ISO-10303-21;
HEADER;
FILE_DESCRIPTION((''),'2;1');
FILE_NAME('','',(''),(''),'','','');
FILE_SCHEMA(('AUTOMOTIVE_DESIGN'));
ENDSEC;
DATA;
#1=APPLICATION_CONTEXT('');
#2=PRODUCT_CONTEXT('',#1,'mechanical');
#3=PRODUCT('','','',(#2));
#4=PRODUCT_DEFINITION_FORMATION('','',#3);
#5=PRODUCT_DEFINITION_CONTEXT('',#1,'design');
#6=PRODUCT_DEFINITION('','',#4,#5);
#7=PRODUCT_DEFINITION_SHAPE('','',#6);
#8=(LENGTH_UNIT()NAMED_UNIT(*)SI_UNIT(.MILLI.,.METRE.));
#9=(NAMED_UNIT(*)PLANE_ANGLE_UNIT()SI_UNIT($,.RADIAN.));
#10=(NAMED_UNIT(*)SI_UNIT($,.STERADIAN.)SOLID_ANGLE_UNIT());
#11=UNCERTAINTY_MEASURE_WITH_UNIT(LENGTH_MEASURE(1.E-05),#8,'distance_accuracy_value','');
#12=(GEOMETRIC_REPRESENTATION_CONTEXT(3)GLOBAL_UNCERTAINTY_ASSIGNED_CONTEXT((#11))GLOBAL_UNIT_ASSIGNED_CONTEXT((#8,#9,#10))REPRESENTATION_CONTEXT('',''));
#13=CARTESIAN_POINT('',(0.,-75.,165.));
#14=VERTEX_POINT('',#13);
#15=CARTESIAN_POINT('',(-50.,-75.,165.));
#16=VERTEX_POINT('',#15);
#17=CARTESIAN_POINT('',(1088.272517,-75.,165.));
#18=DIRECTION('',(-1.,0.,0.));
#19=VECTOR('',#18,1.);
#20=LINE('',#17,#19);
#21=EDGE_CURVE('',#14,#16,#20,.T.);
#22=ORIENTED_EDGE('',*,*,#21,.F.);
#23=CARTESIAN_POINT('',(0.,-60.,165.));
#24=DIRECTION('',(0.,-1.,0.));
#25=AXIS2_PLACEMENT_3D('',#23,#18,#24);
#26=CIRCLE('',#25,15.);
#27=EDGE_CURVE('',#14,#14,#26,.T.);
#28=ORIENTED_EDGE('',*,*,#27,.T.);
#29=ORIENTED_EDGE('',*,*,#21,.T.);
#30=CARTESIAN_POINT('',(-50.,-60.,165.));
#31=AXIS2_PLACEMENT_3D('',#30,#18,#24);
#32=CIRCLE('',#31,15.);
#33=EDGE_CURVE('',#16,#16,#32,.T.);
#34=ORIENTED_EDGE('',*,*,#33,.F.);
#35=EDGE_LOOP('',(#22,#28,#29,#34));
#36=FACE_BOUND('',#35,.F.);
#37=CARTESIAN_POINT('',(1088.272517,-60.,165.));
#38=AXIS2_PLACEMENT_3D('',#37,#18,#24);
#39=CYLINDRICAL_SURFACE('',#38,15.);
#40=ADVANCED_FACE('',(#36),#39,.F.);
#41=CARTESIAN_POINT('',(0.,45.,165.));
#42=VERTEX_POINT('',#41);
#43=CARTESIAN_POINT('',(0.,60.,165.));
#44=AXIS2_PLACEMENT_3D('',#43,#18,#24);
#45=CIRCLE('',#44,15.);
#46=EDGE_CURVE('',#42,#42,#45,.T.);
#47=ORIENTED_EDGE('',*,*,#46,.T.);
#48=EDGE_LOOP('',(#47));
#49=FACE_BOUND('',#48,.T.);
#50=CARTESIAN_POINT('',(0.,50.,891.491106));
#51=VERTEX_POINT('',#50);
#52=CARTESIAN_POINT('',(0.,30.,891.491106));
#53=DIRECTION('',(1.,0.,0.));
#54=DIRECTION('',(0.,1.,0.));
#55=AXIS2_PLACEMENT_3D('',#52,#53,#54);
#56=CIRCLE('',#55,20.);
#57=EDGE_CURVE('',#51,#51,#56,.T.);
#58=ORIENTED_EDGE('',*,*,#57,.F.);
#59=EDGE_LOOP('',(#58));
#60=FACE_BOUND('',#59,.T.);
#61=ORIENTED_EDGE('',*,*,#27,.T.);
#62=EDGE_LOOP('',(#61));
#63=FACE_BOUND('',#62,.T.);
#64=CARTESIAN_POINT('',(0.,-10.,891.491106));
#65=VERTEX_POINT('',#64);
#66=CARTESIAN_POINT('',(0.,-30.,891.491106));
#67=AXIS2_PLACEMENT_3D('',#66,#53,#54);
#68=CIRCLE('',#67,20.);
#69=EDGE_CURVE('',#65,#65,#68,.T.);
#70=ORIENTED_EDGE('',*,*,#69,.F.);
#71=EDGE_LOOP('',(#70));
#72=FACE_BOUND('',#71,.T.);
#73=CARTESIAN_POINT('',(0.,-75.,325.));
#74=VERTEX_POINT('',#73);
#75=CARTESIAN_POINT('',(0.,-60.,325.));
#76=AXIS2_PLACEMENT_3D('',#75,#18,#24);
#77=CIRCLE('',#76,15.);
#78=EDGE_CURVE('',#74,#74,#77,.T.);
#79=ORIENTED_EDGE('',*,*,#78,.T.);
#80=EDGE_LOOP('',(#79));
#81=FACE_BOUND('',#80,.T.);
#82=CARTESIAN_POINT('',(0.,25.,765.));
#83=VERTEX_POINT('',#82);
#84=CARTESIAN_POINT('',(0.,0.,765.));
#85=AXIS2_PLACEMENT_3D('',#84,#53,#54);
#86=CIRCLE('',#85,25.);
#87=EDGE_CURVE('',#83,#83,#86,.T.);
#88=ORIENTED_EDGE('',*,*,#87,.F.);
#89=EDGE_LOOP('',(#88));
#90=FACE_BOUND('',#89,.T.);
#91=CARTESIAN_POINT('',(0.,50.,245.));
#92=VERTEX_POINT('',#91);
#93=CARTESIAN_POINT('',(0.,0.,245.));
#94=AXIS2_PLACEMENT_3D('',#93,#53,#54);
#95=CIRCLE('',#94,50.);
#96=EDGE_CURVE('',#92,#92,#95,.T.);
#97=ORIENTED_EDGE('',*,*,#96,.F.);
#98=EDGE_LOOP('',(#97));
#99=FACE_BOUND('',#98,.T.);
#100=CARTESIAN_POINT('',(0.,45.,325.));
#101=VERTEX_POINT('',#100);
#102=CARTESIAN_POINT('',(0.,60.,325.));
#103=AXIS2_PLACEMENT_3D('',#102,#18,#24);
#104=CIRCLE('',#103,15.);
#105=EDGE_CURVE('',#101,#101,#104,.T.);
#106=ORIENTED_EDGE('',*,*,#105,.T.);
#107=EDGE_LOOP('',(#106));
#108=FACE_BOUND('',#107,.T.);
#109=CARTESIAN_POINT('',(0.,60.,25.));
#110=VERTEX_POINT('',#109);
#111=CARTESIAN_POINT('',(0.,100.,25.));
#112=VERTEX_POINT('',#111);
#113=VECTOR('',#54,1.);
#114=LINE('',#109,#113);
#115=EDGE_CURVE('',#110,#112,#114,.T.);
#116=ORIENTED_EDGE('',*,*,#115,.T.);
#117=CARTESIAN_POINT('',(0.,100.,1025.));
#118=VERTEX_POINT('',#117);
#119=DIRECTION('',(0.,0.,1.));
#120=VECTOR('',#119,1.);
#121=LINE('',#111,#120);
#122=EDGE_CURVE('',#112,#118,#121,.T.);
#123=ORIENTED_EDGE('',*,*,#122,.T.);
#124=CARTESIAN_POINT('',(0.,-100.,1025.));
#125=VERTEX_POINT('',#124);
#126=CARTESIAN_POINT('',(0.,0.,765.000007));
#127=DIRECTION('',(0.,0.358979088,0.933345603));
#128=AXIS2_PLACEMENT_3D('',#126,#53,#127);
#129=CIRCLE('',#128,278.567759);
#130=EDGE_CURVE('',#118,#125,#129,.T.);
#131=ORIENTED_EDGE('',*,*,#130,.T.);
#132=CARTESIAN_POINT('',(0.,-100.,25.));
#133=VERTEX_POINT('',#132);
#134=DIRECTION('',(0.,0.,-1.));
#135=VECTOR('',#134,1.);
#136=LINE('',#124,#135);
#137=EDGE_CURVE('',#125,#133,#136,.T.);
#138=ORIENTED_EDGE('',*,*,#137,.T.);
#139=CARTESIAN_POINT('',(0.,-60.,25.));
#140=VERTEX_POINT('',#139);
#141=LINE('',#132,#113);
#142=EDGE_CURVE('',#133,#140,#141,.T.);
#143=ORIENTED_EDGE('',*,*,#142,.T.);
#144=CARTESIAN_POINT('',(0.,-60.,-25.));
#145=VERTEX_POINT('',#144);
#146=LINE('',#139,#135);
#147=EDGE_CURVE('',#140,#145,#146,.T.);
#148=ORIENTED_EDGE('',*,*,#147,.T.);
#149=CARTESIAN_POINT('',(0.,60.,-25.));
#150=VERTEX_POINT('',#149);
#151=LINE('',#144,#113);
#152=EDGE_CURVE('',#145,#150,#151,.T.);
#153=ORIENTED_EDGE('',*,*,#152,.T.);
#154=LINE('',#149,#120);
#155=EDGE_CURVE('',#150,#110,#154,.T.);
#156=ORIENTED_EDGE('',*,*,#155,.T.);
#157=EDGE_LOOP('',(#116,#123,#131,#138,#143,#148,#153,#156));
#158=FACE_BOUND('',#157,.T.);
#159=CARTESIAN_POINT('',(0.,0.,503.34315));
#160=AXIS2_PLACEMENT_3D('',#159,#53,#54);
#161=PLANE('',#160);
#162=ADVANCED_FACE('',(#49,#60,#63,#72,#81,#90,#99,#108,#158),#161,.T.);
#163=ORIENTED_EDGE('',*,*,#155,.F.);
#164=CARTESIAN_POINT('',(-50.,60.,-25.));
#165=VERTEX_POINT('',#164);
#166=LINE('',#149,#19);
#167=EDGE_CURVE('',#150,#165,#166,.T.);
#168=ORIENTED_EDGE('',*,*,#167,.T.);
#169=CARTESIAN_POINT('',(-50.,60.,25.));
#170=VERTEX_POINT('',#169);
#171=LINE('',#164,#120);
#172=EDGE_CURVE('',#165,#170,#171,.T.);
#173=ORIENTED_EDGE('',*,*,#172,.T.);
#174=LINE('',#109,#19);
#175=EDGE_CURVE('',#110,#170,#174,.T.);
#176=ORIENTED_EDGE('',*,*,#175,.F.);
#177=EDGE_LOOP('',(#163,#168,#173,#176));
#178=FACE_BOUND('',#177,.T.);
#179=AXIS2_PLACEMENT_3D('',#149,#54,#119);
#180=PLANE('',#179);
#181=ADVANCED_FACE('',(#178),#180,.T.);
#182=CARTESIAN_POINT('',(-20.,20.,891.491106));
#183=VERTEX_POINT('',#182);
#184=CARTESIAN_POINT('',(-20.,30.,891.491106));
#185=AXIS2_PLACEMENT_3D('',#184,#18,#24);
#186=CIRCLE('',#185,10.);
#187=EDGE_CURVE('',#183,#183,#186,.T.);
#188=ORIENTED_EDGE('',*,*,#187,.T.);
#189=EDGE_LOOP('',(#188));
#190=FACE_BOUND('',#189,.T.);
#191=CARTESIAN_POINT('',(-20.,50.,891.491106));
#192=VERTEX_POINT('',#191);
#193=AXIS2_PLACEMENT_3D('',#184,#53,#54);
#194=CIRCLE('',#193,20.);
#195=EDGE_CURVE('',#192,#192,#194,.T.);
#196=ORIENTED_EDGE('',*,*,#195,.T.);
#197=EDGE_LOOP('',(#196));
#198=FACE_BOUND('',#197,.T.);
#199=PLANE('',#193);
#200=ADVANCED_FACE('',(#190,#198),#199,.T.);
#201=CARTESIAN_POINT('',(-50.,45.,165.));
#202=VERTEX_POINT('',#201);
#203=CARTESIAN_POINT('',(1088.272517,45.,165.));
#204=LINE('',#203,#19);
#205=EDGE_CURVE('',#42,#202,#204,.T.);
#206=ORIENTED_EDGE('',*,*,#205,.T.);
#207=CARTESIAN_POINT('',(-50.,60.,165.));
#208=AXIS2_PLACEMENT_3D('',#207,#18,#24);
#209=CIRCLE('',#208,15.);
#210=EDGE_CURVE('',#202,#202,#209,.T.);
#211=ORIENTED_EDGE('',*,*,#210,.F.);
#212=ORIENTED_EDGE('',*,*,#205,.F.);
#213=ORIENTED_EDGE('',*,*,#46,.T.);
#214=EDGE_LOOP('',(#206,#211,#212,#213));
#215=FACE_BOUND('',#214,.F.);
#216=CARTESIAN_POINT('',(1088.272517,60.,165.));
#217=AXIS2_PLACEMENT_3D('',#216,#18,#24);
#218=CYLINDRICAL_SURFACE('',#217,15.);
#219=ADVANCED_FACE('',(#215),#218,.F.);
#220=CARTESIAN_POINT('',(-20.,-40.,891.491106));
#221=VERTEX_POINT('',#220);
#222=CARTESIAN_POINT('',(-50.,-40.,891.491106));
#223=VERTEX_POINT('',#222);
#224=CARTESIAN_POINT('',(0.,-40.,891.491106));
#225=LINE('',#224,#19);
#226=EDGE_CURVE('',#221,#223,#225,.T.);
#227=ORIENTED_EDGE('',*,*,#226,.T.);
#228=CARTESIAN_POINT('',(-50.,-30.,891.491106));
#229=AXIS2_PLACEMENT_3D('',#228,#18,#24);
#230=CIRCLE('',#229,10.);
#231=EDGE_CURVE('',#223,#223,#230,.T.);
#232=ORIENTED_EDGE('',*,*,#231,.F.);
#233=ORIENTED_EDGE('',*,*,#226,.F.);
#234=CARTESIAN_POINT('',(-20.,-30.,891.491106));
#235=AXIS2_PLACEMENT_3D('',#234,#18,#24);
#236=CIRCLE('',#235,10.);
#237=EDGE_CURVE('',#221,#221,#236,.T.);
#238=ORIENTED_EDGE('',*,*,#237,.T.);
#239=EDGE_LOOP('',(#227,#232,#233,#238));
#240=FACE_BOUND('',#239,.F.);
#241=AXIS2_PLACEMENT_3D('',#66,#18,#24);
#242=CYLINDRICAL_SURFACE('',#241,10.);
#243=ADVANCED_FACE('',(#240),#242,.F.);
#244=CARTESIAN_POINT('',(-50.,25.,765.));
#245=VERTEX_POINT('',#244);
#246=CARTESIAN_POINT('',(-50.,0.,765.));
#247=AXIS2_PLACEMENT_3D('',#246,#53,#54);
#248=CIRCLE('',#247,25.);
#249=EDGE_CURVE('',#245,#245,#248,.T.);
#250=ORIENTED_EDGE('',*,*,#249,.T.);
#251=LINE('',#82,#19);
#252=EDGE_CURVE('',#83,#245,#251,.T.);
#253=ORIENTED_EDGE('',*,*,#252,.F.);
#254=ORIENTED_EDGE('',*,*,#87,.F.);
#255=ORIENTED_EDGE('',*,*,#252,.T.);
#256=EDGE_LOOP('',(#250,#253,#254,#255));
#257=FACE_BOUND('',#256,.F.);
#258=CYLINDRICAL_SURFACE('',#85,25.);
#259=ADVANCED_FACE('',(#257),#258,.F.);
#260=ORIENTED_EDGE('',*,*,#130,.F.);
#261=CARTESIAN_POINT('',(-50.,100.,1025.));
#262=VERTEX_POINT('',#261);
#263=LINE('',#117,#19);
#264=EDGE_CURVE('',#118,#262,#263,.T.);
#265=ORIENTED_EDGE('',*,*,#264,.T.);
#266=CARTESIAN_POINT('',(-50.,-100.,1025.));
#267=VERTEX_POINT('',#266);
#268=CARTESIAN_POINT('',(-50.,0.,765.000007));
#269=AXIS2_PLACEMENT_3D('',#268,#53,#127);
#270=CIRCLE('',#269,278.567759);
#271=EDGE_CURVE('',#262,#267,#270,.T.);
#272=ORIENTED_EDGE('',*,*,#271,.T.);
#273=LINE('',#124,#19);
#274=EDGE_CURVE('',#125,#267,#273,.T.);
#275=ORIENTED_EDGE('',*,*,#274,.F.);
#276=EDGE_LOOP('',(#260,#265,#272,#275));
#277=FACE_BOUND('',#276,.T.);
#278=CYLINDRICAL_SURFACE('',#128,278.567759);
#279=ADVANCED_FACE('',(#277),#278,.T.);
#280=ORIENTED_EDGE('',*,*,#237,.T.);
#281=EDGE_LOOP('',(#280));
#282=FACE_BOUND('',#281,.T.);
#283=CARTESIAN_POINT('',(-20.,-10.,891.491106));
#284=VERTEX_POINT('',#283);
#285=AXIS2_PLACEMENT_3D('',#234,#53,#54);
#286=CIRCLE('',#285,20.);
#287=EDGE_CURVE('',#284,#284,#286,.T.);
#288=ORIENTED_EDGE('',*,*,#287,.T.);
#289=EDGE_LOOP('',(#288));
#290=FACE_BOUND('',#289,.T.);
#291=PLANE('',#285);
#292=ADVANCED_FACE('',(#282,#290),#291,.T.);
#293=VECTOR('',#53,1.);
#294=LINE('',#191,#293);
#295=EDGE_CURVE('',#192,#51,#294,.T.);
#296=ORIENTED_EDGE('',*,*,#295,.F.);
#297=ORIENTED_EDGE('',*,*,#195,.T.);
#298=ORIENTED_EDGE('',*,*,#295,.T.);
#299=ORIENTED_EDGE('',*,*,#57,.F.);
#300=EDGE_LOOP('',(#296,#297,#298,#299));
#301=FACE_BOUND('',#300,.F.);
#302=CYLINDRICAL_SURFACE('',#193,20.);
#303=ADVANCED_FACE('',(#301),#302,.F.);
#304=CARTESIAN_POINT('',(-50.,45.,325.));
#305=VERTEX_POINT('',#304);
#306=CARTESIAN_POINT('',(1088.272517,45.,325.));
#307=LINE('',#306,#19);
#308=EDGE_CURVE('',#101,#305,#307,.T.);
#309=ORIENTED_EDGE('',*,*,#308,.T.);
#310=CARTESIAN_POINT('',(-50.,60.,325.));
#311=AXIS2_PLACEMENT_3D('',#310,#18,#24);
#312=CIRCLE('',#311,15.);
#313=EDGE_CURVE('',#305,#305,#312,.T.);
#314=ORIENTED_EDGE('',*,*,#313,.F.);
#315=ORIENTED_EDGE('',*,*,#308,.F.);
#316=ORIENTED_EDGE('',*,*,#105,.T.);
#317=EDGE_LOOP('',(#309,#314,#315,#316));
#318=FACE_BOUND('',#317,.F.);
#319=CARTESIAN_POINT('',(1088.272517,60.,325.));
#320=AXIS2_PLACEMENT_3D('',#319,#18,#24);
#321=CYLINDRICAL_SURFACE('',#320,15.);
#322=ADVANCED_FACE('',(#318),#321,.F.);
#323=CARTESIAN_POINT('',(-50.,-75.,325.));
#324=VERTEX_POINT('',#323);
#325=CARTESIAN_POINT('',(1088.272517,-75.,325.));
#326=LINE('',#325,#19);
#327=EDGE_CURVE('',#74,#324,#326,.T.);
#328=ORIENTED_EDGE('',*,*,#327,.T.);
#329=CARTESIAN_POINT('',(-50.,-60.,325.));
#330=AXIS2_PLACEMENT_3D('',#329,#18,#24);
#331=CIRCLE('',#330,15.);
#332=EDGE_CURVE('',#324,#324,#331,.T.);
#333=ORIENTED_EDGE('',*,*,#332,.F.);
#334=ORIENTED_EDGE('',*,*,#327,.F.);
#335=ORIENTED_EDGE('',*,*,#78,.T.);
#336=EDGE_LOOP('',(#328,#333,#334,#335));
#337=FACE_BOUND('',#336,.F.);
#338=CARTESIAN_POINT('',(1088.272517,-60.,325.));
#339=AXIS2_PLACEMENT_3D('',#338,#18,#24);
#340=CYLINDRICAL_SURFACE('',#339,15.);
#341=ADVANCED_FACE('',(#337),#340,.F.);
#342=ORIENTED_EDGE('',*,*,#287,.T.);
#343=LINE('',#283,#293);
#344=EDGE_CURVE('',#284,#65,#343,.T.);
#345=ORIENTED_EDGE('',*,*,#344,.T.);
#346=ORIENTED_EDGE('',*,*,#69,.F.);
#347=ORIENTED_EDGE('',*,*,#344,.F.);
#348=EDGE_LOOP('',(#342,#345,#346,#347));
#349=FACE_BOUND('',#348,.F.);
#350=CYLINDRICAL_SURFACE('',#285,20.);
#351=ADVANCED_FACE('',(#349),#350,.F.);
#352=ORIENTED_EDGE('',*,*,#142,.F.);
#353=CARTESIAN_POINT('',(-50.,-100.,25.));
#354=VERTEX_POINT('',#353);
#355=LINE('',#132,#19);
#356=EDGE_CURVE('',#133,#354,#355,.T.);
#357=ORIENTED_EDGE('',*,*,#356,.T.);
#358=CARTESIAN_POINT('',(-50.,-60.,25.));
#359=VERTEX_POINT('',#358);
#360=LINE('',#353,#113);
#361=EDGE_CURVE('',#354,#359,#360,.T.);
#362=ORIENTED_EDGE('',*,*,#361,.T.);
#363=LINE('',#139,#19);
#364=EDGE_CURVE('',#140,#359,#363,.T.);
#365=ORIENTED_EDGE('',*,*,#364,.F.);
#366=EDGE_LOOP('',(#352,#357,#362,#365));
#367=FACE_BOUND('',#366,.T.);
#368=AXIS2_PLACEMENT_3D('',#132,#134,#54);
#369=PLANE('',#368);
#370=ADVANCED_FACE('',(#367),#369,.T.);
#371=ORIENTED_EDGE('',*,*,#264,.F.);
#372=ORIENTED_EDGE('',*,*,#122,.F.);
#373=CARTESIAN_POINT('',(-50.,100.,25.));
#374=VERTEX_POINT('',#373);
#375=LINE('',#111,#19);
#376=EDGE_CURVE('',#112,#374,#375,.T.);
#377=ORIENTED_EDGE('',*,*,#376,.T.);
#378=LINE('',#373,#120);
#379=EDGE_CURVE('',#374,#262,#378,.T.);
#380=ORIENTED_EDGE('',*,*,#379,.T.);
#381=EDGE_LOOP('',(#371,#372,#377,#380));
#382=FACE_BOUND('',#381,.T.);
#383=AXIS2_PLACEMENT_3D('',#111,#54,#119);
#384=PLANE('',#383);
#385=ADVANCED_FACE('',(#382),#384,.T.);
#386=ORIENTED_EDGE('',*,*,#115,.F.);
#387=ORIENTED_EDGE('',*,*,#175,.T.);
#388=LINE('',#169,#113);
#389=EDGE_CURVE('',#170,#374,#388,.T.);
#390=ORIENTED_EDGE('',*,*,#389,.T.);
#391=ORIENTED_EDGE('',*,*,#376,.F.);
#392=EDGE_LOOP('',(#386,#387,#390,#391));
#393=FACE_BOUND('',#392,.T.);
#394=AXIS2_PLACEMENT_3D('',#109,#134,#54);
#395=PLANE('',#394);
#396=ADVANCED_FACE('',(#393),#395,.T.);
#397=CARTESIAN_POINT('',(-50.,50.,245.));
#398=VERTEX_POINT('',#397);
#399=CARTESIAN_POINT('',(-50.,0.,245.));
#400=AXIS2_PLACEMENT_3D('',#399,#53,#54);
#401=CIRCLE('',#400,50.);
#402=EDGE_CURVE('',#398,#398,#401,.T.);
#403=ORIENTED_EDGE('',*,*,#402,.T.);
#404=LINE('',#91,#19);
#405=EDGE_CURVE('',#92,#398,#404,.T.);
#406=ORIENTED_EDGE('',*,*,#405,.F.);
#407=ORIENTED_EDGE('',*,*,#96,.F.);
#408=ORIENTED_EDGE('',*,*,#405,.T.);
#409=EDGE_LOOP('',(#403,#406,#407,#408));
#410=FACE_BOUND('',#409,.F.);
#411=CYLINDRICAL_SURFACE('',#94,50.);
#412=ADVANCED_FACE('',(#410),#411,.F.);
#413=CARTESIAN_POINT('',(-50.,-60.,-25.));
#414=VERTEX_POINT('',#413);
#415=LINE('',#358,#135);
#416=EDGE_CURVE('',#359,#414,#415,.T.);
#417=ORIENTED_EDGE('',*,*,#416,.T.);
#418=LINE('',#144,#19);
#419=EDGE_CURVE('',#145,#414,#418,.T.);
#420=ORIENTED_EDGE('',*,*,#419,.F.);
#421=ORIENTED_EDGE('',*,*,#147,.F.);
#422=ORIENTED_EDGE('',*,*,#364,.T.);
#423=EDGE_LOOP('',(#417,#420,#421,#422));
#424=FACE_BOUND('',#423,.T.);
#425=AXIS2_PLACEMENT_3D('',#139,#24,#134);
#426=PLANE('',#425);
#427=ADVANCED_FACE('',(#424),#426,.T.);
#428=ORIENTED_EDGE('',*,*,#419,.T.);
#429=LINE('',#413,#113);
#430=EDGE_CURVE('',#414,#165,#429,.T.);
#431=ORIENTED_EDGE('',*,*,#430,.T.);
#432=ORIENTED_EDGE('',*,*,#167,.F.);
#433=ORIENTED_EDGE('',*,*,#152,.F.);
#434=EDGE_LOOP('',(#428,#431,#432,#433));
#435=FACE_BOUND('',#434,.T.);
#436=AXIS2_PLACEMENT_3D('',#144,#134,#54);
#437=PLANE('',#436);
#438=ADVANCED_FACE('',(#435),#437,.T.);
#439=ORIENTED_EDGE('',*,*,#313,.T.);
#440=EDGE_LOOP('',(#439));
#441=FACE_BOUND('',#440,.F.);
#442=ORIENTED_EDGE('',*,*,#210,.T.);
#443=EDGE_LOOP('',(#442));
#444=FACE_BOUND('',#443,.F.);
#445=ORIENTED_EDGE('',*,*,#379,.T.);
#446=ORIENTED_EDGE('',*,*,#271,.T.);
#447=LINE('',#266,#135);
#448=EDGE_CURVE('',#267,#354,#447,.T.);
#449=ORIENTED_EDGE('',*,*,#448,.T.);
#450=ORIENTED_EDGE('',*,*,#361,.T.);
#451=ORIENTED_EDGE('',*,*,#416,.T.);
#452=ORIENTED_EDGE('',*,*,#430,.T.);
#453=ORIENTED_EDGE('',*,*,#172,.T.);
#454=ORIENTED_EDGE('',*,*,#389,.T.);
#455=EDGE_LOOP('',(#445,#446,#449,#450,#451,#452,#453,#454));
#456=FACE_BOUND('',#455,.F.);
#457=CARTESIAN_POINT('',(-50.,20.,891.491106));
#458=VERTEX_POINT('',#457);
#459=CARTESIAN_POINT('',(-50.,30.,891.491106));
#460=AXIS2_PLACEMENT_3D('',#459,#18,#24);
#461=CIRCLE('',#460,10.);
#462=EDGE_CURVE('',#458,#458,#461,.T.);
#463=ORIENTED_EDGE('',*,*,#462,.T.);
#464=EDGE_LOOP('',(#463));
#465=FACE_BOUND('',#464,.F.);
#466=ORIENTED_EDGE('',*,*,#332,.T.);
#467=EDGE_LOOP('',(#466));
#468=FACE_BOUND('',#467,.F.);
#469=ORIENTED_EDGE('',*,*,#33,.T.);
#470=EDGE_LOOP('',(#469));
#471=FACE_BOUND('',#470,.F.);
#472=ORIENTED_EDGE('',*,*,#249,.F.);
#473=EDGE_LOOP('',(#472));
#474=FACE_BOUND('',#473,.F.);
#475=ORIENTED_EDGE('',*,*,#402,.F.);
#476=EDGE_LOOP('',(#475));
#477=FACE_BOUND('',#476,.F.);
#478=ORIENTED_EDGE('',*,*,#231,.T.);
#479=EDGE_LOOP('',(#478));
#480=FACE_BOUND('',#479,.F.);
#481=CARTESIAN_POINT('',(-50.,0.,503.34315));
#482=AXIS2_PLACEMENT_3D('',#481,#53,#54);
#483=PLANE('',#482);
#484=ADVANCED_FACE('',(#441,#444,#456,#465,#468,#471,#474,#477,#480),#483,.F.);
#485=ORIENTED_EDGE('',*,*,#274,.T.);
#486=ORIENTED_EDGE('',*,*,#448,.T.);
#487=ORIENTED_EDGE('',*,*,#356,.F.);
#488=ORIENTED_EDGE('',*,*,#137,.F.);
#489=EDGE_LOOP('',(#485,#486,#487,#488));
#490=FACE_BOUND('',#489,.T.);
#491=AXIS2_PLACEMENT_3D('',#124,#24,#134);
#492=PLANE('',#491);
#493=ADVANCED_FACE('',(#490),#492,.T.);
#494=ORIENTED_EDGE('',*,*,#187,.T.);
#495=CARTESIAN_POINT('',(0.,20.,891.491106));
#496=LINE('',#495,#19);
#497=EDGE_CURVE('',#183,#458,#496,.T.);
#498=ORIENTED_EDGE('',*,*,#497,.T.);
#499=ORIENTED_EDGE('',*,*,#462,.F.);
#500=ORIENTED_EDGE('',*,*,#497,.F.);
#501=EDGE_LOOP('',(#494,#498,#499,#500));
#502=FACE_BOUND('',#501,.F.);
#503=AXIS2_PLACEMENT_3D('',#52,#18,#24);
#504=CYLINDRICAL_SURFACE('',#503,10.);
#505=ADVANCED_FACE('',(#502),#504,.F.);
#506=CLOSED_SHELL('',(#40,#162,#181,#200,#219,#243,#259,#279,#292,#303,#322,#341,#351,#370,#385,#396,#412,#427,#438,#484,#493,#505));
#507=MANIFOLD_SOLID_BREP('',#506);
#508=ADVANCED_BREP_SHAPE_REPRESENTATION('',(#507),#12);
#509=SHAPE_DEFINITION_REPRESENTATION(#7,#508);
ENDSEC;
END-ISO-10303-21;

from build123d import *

# Parameters (mm, degrees)
F0_R           = 50
F0_R_2         = 25
F1_DEPTH       = 50
F2_D           = 30
F3_D           = 20
F3_CBORE_D     = 40
F3_CBORE_DEPTH = 20


with BuildPart() as f1:
    # F0 (on Right) → F1 (new body)
    with BuildSketch(Plane.YZ):
        with BuildLine():
            Line((-60, -25), (60, -25))
            Line((60, -25), (60, 25))
            Line((60, 25), (100, 25))
            Line((100, 25), (100, 1025))
            ThreePointArc((100, 1025), (0, 1043.567766), (-100, 1025))
            Line((-100, 1025), (-100, 25))
            Line((-100, 25), (-60, 25))
            Line((-60, 25), (-60, -25))
        make_face()
        with Locations((0, 245)):
            Circle(F0_R, mode=Mode.SUBTRACT)
        with Locations((0, 765)):
            Circle(F0_R_2, mode=Mode.SUBTRACT)
    extrude(amount=-F1_DEPTH)

    # F2 (through all)
    with Locations(Plane.YZ):
        with Locations((-60, 165), (-60, 325), (60, 325), (60, 165)):
            Hole(F2_D / 2)

    # F3 (through all)
    with Locations(Plane.YZ):
        with Locations((30, 891.491106), (-30, 891.491106)):
            CounterBoreHole(F3_D / 2, F3_CBORE_D / 2, F3_CBORE_DEPTH)


solid = f1.part
